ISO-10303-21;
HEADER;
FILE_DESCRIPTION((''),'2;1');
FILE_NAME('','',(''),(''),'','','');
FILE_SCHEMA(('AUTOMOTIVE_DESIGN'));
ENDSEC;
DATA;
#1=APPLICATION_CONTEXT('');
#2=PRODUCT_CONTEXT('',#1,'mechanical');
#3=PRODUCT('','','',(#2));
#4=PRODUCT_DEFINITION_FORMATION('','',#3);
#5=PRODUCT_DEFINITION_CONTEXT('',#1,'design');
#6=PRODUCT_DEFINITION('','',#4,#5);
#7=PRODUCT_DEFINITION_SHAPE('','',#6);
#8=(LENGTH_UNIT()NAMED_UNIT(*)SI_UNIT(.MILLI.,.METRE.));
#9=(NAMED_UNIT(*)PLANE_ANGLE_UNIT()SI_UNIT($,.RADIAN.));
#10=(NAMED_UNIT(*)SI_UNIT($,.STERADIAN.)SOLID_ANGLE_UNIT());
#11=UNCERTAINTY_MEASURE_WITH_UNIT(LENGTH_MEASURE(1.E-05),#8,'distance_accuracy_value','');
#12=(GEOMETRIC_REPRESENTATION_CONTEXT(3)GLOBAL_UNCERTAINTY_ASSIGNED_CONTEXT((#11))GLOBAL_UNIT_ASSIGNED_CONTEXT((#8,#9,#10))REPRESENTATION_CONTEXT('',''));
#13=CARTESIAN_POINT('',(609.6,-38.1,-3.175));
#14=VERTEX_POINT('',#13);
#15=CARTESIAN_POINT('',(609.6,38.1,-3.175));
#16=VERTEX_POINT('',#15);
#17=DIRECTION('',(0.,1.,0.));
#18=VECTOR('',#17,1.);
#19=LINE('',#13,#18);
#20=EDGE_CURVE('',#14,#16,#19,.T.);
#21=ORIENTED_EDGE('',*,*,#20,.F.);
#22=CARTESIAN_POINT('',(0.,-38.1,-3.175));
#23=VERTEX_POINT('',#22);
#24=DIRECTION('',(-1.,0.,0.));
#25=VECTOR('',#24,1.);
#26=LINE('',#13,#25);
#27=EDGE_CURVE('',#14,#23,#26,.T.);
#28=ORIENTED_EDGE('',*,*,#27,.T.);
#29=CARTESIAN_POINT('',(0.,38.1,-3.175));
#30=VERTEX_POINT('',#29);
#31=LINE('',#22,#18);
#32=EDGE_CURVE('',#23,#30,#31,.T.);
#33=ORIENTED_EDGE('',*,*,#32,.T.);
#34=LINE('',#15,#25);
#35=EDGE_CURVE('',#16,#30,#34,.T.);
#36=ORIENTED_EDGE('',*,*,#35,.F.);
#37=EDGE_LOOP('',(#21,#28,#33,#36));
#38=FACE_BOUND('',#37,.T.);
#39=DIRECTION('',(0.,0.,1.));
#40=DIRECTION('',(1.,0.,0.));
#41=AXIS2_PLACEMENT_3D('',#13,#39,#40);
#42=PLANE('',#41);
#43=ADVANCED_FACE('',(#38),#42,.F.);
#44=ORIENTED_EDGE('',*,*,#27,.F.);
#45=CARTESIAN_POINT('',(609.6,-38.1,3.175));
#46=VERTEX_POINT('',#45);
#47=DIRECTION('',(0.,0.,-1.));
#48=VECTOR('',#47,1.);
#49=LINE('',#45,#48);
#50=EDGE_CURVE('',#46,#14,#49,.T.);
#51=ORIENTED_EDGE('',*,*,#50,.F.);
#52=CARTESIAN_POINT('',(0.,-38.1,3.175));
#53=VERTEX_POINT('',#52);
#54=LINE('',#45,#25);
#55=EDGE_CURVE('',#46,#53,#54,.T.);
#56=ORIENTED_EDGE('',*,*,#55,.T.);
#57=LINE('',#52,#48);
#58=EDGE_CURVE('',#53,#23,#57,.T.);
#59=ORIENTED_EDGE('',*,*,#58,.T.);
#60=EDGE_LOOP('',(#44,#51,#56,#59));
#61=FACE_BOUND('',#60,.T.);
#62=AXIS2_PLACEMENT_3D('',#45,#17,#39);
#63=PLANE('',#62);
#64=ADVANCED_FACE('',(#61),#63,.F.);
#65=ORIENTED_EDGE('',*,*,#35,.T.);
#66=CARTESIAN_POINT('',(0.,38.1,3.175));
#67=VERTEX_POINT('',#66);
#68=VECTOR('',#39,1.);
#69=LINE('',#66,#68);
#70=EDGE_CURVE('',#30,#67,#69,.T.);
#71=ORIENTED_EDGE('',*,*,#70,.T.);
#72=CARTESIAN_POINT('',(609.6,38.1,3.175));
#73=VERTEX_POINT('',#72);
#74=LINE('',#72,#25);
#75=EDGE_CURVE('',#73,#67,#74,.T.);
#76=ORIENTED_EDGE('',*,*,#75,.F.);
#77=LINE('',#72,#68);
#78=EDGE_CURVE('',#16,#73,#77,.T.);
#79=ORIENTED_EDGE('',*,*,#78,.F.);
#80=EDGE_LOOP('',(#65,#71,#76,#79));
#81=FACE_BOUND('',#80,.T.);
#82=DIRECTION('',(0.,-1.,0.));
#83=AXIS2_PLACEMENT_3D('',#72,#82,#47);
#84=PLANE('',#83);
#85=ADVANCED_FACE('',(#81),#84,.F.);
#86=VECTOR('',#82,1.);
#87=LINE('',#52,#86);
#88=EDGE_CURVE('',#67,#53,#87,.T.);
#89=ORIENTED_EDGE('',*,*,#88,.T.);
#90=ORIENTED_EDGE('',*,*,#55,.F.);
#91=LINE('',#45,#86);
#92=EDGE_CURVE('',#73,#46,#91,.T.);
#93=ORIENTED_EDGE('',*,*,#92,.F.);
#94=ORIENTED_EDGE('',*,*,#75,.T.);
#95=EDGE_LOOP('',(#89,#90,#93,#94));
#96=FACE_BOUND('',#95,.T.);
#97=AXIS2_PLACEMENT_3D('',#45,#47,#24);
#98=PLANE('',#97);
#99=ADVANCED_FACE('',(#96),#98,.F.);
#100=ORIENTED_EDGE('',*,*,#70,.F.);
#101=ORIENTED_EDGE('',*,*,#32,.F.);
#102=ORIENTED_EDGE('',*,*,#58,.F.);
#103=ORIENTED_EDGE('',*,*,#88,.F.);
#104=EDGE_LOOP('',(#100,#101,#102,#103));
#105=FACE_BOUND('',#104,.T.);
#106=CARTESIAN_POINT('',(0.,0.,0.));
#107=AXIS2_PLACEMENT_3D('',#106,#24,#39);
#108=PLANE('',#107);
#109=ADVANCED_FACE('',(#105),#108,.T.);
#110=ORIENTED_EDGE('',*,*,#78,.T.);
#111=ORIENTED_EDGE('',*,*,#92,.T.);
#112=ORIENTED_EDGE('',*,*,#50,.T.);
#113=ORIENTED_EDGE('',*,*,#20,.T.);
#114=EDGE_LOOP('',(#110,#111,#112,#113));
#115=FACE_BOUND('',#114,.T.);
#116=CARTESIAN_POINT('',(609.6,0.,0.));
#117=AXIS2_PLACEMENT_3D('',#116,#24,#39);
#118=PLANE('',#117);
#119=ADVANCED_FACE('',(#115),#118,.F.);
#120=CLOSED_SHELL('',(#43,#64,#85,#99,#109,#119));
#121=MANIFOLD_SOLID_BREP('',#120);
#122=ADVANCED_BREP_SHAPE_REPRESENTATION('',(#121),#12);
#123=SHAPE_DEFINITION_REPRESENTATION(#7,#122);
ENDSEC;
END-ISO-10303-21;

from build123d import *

# Parameters (mm, degrees)
SKETCH1_W           = 6.35
SKETCH1_H           = 76.2
BOSS_EXTRUDE1_DEPTH = 609.6


with BuildPart() as part:
    # Sketch1 → Boss-Extrude1 (new body)
    with BuildSketch(Plane(origin=(0, 0, 0), x_dir=(0, 0, -1), z_dir=(1, 0, 0))):
        Rectangle(SKETCH1_W, SKETCH1_H)
    extrude(amount=BOSS_EXTRUDE1_DEPTH)


solid = part.part
